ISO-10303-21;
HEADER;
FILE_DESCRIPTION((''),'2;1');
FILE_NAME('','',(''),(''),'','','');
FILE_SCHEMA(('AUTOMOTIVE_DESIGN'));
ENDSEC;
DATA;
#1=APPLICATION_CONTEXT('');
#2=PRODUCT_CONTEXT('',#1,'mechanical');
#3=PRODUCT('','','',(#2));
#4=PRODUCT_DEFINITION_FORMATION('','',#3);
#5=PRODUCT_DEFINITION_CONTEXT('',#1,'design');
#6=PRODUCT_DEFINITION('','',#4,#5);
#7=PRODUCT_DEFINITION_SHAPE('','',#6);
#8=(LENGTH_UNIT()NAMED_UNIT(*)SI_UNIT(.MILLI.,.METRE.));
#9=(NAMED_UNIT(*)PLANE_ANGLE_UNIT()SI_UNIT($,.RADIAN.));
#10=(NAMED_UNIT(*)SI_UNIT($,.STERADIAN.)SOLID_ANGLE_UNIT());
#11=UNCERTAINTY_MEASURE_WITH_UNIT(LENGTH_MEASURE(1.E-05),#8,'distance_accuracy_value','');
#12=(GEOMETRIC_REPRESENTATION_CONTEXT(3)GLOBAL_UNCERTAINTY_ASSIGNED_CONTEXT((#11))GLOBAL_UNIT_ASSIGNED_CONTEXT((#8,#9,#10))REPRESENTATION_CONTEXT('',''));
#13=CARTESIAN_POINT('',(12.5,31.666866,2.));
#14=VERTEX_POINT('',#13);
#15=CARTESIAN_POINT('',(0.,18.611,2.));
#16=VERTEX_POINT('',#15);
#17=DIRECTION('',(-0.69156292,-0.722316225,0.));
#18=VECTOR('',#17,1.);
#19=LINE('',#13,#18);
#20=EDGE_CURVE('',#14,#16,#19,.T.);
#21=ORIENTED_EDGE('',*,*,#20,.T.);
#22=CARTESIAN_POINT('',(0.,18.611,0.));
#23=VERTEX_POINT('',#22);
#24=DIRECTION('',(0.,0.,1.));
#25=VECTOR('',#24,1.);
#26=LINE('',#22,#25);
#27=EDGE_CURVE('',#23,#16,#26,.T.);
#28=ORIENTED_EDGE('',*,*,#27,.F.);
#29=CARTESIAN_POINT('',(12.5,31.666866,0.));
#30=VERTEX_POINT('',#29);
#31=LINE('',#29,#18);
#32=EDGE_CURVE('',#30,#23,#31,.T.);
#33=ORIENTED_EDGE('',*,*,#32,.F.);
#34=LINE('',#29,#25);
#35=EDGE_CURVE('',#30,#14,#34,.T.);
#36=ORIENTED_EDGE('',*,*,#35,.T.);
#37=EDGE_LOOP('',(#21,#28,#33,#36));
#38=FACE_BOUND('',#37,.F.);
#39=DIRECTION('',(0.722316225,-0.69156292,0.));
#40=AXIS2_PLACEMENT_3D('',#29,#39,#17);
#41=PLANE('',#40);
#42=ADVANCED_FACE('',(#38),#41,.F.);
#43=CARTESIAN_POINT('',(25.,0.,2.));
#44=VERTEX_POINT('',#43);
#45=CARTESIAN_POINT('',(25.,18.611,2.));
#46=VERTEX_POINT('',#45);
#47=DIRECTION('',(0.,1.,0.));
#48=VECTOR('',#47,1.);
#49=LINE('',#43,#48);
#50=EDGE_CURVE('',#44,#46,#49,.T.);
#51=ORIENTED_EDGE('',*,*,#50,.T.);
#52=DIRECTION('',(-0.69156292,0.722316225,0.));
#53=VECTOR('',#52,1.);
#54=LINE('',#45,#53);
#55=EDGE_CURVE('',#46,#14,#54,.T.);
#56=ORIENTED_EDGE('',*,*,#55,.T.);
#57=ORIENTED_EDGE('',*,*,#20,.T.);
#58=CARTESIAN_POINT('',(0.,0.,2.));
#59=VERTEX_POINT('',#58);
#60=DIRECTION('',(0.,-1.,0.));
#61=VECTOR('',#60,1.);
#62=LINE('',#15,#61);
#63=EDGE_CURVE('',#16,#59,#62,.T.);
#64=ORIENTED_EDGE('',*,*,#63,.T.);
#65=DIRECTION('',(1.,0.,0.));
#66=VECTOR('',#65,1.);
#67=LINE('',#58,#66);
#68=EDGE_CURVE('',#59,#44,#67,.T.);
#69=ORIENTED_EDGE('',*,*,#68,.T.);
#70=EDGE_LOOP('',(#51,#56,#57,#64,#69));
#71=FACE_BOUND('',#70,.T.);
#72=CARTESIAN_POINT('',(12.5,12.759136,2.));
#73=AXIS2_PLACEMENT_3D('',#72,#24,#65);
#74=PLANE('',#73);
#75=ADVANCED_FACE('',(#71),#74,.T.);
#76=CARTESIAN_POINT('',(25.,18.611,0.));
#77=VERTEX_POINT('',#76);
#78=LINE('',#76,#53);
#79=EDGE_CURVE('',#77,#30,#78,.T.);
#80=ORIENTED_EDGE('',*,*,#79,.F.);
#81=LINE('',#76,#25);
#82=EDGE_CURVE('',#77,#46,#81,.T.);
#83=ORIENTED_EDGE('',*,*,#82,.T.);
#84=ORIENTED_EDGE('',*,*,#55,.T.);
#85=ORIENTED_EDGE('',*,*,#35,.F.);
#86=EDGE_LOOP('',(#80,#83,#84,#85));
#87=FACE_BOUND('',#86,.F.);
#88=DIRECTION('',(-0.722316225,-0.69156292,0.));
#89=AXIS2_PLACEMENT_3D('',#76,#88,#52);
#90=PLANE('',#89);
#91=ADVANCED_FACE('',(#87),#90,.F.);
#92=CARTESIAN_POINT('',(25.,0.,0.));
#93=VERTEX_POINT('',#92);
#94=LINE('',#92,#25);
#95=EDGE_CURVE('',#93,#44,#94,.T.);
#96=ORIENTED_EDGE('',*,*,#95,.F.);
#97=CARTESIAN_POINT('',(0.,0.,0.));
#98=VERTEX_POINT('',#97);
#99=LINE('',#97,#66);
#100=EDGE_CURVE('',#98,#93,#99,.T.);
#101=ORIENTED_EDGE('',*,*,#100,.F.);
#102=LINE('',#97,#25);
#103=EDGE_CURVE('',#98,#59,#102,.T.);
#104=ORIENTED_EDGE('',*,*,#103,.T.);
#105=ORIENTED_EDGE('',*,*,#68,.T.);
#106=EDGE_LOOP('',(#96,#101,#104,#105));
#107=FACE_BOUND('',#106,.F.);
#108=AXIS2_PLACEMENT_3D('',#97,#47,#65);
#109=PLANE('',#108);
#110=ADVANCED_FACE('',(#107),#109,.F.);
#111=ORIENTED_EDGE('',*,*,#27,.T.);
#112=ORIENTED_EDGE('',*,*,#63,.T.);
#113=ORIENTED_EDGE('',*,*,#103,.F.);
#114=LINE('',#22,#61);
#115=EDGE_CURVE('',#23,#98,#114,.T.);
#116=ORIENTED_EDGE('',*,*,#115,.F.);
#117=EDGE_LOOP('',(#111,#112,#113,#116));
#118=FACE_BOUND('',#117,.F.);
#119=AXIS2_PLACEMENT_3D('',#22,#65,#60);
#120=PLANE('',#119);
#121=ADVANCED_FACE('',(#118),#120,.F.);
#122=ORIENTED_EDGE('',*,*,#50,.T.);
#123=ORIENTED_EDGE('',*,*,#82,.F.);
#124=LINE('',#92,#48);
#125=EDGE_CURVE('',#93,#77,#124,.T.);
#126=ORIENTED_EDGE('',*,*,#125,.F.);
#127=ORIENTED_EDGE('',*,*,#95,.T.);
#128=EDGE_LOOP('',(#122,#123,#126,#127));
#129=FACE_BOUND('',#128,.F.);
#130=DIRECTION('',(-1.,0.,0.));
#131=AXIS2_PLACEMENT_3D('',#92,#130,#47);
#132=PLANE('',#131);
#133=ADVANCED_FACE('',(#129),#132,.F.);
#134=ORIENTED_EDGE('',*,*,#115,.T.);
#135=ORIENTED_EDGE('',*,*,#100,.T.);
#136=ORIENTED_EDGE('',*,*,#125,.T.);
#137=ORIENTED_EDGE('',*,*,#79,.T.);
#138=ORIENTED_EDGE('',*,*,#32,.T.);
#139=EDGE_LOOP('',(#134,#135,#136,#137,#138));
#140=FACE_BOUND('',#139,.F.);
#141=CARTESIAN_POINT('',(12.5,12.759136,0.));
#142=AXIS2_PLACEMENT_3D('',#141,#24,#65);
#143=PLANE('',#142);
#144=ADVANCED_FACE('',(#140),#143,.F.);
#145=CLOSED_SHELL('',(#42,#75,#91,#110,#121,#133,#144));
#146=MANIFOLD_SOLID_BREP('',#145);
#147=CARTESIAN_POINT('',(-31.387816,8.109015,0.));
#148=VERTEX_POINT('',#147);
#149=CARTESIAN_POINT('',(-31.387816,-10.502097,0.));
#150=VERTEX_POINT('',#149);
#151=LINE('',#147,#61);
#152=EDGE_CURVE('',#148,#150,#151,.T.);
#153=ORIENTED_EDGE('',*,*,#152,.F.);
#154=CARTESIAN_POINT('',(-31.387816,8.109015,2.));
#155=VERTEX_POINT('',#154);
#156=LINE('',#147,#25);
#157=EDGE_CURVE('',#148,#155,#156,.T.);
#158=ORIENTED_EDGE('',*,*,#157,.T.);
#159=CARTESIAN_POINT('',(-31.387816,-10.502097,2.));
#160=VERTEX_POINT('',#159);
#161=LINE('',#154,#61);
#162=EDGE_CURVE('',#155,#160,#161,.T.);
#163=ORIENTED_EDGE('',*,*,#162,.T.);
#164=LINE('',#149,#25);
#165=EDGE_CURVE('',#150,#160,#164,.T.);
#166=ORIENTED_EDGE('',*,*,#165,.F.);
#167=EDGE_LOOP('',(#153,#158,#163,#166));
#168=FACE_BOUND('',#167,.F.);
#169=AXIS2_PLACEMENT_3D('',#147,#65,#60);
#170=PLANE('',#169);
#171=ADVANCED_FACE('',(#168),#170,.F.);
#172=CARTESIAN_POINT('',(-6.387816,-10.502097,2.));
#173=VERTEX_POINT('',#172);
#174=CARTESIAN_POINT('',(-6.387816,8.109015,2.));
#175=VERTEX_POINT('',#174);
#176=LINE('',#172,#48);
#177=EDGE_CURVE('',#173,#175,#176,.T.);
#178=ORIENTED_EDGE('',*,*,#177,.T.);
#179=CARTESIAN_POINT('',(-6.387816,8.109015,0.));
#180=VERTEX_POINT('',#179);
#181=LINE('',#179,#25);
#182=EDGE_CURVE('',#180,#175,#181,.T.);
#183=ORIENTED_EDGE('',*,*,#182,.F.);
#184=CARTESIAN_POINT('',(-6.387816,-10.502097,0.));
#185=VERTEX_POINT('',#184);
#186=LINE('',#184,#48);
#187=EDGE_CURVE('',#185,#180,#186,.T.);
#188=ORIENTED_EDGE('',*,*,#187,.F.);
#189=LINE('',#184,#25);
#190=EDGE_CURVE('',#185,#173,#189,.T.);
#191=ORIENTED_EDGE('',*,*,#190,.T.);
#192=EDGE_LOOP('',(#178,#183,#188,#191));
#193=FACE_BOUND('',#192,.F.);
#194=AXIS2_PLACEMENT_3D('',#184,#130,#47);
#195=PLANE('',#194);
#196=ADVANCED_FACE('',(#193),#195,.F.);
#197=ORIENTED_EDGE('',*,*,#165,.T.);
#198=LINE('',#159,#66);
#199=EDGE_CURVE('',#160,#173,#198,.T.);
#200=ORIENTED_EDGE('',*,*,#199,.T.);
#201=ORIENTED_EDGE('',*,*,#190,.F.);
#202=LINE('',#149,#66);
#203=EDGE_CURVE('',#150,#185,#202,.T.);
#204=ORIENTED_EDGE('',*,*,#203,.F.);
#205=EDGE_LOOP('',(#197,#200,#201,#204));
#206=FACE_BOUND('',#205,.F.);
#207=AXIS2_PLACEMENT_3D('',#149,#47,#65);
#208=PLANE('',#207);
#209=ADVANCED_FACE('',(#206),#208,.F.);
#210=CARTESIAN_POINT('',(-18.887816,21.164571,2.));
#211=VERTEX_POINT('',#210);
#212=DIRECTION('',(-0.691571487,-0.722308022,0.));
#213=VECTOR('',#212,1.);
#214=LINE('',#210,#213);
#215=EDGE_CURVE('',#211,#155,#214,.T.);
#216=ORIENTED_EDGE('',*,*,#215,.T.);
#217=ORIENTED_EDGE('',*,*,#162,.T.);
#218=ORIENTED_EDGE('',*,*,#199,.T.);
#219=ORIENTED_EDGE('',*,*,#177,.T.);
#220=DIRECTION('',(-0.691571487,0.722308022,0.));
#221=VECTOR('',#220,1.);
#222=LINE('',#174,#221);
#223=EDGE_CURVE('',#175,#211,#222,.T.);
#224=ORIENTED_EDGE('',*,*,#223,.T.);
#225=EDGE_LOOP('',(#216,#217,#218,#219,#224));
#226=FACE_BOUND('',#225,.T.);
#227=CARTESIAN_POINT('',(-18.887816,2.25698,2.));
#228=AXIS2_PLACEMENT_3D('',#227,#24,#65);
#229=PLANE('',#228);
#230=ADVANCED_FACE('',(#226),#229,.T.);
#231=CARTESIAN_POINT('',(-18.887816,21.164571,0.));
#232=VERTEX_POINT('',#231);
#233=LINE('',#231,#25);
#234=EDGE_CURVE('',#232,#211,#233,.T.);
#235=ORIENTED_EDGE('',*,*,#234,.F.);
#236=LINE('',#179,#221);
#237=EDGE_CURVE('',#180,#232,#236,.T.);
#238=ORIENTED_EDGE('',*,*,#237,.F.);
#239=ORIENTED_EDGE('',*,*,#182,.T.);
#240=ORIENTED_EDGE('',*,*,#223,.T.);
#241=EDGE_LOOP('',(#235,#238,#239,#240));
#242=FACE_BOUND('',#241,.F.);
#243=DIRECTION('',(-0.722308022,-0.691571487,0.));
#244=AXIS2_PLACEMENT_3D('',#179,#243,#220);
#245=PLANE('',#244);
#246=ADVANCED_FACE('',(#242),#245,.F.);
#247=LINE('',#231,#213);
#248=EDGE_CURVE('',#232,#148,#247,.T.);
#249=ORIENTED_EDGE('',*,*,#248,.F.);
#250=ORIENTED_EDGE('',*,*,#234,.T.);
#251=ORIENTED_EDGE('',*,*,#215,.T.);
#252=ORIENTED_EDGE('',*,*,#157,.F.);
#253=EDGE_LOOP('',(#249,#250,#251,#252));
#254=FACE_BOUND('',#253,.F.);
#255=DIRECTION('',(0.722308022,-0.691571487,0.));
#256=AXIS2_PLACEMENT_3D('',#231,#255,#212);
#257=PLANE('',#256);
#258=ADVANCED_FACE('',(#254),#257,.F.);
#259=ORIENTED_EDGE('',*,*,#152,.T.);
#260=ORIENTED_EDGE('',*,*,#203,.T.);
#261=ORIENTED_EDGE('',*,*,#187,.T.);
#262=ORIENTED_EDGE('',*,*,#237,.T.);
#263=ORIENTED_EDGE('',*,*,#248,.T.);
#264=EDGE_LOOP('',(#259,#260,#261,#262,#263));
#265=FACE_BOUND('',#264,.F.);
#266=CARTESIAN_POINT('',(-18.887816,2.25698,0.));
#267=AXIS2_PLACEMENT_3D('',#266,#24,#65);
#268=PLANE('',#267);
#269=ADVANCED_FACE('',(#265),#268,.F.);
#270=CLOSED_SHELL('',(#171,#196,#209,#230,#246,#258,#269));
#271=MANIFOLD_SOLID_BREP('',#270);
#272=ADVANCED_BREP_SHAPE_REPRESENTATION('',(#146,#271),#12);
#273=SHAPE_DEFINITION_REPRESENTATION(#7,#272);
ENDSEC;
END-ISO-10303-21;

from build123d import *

# Parameters (mm, degrees)
F1_DEPTH = 2
F3_DEPTH = 2


with BuildPart() as f1:
    # F0 (on Top) → F1 (new body)
    with BuildSketch(Plane.XY):
        Polygon((-18.887816, 21.164571), (-31.387816, 8.109015), (-31.387816, -10.502097), (-6.387816, -10.502097), (-6.387816, 8.109015), align=None)
    extrude(amount=F1_DEPTH)


with BuildPart() as f3:
    # F2 (on Top) → F3 (new body)
    with BuildSketch(Plane.XY):
        Polygon((0, 18.611), (0, 0), (25, 0), (25, 18.611), (12.5, 31.666866), align=None)
    extrude(amount=F3_DEPTH)


solid = Compound([f1.part, f3.part])
